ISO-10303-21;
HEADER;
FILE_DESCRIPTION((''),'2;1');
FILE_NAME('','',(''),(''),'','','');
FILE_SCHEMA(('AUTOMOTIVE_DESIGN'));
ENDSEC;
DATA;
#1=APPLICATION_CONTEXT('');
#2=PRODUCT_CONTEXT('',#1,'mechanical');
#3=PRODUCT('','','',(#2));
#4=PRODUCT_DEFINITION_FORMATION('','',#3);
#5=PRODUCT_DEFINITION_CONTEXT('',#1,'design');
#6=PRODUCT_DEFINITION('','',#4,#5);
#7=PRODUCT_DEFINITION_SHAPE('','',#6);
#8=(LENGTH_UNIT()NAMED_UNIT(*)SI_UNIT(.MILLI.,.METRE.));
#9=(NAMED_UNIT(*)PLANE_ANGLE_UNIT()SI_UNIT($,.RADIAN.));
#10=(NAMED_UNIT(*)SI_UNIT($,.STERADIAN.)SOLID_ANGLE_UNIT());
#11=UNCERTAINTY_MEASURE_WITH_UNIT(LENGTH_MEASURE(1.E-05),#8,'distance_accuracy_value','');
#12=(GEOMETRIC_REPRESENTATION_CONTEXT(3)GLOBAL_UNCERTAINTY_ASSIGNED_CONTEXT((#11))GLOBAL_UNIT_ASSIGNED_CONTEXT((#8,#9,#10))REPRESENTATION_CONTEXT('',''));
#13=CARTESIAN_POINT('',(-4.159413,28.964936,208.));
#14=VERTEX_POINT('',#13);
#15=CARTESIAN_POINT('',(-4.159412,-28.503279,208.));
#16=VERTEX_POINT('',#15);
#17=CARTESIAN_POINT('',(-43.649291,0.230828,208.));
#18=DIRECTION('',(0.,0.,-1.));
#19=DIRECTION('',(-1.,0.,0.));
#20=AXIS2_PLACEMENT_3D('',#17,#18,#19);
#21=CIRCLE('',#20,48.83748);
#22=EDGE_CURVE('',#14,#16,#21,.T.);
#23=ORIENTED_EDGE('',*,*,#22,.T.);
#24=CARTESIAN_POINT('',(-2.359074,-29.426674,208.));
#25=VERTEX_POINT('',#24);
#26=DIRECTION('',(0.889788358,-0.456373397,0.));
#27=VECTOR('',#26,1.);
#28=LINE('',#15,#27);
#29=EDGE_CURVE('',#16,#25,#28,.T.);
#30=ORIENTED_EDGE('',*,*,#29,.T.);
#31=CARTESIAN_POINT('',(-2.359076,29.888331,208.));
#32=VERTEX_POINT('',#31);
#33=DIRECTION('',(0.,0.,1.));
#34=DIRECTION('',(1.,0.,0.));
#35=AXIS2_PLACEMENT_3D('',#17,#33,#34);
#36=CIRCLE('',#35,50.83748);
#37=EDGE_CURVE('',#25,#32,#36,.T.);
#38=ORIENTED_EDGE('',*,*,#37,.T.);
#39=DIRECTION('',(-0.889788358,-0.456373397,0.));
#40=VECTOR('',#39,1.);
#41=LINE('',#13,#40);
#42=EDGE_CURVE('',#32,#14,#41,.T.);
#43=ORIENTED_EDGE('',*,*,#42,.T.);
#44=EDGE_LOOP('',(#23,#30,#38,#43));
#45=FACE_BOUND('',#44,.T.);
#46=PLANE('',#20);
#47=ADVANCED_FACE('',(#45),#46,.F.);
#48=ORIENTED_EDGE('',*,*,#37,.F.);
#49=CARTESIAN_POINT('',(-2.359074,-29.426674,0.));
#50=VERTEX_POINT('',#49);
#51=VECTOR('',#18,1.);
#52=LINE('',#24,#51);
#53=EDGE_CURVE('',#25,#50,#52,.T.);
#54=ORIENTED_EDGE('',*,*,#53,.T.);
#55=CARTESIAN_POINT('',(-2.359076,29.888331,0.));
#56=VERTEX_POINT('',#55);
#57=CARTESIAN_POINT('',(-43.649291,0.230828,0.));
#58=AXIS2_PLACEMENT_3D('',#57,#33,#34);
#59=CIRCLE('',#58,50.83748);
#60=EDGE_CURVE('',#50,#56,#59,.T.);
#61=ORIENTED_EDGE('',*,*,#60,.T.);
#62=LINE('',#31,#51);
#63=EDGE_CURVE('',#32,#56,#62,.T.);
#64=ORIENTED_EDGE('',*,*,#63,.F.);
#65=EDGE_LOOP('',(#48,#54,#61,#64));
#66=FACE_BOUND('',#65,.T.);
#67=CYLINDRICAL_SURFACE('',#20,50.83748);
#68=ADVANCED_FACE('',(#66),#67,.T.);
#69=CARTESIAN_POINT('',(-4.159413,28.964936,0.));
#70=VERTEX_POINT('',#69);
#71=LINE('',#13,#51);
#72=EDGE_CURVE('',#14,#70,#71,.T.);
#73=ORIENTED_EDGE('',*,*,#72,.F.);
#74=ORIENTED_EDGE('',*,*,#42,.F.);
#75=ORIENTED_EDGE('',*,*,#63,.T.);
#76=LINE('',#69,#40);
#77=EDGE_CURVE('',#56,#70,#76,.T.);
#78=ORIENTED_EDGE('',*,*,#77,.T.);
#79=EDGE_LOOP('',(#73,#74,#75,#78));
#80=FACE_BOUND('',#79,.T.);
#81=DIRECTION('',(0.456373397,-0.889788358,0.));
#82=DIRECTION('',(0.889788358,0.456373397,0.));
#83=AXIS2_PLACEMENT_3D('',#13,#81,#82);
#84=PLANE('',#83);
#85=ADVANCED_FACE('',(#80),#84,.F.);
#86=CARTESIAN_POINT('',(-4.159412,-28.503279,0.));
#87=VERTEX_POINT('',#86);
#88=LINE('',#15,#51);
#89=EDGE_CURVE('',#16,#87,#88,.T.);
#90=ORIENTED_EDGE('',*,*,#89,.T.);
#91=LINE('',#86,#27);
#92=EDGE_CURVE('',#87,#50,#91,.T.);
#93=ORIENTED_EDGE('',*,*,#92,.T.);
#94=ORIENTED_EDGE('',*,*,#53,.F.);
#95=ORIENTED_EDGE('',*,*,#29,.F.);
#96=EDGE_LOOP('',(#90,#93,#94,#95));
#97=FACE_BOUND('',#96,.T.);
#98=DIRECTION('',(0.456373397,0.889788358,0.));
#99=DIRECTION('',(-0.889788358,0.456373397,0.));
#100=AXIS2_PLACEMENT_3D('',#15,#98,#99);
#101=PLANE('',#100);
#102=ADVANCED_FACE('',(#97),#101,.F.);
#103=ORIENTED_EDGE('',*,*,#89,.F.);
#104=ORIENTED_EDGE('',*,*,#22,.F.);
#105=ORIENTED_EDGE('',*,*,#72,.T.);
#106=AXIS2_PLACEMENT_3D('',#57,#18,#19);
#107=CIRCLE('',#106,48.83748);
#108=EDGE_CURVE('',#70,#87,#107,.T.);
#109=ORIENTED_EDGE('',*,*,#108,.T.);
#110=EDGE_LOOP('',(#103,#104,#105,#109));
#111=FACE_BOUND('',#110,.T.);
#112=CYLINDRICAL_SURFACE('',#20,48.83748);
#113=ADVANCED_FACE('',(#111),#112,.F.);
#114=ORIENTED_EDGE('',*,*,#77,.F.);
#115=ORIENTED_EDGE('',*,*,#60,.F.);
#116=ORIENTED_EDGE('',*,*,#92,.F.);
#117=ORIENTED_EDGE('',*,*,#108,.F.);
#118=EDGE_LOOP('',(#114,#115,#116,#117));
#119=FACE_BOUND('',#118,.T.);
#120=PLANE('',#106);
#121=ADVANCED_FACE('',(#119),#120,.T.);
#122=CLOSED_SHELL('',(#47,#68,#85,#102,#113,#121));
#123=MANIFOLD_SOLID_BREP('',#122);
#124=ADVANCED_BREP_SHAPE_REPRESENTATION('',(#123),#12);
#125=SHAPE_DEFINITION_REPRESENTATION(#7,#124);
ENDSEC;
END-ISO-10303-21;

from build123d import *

# Parameters (mm, degrees)
EXTRUDE_1_DEPTH = 208


with BuildPart() as part:
    # Эскиз1 → Бобышка-Вытянуть1 (new body)
    with BuildSketch(Plane.XY):
        with BuildLine():
            Line((-4.159412849, 28.964936307), (-2.359075662, 29.888331168))
            ThreePointArc((-2.359075662, 29.888331168), (7.188189231, 0.230828682), (-2.359074488, -29.426674183))
            Line((-2.359074488, -29.426674183), (-4.159411664, -28.503279327))
            ThreePointArc((-4.159411664, -28.503279327), (5.188189231, 0.230828683), (-4.159412849, 28.964936307))
        make_face()
    extrude(amount=EXTRUDE_1_DEPTH)


solid = part.part
